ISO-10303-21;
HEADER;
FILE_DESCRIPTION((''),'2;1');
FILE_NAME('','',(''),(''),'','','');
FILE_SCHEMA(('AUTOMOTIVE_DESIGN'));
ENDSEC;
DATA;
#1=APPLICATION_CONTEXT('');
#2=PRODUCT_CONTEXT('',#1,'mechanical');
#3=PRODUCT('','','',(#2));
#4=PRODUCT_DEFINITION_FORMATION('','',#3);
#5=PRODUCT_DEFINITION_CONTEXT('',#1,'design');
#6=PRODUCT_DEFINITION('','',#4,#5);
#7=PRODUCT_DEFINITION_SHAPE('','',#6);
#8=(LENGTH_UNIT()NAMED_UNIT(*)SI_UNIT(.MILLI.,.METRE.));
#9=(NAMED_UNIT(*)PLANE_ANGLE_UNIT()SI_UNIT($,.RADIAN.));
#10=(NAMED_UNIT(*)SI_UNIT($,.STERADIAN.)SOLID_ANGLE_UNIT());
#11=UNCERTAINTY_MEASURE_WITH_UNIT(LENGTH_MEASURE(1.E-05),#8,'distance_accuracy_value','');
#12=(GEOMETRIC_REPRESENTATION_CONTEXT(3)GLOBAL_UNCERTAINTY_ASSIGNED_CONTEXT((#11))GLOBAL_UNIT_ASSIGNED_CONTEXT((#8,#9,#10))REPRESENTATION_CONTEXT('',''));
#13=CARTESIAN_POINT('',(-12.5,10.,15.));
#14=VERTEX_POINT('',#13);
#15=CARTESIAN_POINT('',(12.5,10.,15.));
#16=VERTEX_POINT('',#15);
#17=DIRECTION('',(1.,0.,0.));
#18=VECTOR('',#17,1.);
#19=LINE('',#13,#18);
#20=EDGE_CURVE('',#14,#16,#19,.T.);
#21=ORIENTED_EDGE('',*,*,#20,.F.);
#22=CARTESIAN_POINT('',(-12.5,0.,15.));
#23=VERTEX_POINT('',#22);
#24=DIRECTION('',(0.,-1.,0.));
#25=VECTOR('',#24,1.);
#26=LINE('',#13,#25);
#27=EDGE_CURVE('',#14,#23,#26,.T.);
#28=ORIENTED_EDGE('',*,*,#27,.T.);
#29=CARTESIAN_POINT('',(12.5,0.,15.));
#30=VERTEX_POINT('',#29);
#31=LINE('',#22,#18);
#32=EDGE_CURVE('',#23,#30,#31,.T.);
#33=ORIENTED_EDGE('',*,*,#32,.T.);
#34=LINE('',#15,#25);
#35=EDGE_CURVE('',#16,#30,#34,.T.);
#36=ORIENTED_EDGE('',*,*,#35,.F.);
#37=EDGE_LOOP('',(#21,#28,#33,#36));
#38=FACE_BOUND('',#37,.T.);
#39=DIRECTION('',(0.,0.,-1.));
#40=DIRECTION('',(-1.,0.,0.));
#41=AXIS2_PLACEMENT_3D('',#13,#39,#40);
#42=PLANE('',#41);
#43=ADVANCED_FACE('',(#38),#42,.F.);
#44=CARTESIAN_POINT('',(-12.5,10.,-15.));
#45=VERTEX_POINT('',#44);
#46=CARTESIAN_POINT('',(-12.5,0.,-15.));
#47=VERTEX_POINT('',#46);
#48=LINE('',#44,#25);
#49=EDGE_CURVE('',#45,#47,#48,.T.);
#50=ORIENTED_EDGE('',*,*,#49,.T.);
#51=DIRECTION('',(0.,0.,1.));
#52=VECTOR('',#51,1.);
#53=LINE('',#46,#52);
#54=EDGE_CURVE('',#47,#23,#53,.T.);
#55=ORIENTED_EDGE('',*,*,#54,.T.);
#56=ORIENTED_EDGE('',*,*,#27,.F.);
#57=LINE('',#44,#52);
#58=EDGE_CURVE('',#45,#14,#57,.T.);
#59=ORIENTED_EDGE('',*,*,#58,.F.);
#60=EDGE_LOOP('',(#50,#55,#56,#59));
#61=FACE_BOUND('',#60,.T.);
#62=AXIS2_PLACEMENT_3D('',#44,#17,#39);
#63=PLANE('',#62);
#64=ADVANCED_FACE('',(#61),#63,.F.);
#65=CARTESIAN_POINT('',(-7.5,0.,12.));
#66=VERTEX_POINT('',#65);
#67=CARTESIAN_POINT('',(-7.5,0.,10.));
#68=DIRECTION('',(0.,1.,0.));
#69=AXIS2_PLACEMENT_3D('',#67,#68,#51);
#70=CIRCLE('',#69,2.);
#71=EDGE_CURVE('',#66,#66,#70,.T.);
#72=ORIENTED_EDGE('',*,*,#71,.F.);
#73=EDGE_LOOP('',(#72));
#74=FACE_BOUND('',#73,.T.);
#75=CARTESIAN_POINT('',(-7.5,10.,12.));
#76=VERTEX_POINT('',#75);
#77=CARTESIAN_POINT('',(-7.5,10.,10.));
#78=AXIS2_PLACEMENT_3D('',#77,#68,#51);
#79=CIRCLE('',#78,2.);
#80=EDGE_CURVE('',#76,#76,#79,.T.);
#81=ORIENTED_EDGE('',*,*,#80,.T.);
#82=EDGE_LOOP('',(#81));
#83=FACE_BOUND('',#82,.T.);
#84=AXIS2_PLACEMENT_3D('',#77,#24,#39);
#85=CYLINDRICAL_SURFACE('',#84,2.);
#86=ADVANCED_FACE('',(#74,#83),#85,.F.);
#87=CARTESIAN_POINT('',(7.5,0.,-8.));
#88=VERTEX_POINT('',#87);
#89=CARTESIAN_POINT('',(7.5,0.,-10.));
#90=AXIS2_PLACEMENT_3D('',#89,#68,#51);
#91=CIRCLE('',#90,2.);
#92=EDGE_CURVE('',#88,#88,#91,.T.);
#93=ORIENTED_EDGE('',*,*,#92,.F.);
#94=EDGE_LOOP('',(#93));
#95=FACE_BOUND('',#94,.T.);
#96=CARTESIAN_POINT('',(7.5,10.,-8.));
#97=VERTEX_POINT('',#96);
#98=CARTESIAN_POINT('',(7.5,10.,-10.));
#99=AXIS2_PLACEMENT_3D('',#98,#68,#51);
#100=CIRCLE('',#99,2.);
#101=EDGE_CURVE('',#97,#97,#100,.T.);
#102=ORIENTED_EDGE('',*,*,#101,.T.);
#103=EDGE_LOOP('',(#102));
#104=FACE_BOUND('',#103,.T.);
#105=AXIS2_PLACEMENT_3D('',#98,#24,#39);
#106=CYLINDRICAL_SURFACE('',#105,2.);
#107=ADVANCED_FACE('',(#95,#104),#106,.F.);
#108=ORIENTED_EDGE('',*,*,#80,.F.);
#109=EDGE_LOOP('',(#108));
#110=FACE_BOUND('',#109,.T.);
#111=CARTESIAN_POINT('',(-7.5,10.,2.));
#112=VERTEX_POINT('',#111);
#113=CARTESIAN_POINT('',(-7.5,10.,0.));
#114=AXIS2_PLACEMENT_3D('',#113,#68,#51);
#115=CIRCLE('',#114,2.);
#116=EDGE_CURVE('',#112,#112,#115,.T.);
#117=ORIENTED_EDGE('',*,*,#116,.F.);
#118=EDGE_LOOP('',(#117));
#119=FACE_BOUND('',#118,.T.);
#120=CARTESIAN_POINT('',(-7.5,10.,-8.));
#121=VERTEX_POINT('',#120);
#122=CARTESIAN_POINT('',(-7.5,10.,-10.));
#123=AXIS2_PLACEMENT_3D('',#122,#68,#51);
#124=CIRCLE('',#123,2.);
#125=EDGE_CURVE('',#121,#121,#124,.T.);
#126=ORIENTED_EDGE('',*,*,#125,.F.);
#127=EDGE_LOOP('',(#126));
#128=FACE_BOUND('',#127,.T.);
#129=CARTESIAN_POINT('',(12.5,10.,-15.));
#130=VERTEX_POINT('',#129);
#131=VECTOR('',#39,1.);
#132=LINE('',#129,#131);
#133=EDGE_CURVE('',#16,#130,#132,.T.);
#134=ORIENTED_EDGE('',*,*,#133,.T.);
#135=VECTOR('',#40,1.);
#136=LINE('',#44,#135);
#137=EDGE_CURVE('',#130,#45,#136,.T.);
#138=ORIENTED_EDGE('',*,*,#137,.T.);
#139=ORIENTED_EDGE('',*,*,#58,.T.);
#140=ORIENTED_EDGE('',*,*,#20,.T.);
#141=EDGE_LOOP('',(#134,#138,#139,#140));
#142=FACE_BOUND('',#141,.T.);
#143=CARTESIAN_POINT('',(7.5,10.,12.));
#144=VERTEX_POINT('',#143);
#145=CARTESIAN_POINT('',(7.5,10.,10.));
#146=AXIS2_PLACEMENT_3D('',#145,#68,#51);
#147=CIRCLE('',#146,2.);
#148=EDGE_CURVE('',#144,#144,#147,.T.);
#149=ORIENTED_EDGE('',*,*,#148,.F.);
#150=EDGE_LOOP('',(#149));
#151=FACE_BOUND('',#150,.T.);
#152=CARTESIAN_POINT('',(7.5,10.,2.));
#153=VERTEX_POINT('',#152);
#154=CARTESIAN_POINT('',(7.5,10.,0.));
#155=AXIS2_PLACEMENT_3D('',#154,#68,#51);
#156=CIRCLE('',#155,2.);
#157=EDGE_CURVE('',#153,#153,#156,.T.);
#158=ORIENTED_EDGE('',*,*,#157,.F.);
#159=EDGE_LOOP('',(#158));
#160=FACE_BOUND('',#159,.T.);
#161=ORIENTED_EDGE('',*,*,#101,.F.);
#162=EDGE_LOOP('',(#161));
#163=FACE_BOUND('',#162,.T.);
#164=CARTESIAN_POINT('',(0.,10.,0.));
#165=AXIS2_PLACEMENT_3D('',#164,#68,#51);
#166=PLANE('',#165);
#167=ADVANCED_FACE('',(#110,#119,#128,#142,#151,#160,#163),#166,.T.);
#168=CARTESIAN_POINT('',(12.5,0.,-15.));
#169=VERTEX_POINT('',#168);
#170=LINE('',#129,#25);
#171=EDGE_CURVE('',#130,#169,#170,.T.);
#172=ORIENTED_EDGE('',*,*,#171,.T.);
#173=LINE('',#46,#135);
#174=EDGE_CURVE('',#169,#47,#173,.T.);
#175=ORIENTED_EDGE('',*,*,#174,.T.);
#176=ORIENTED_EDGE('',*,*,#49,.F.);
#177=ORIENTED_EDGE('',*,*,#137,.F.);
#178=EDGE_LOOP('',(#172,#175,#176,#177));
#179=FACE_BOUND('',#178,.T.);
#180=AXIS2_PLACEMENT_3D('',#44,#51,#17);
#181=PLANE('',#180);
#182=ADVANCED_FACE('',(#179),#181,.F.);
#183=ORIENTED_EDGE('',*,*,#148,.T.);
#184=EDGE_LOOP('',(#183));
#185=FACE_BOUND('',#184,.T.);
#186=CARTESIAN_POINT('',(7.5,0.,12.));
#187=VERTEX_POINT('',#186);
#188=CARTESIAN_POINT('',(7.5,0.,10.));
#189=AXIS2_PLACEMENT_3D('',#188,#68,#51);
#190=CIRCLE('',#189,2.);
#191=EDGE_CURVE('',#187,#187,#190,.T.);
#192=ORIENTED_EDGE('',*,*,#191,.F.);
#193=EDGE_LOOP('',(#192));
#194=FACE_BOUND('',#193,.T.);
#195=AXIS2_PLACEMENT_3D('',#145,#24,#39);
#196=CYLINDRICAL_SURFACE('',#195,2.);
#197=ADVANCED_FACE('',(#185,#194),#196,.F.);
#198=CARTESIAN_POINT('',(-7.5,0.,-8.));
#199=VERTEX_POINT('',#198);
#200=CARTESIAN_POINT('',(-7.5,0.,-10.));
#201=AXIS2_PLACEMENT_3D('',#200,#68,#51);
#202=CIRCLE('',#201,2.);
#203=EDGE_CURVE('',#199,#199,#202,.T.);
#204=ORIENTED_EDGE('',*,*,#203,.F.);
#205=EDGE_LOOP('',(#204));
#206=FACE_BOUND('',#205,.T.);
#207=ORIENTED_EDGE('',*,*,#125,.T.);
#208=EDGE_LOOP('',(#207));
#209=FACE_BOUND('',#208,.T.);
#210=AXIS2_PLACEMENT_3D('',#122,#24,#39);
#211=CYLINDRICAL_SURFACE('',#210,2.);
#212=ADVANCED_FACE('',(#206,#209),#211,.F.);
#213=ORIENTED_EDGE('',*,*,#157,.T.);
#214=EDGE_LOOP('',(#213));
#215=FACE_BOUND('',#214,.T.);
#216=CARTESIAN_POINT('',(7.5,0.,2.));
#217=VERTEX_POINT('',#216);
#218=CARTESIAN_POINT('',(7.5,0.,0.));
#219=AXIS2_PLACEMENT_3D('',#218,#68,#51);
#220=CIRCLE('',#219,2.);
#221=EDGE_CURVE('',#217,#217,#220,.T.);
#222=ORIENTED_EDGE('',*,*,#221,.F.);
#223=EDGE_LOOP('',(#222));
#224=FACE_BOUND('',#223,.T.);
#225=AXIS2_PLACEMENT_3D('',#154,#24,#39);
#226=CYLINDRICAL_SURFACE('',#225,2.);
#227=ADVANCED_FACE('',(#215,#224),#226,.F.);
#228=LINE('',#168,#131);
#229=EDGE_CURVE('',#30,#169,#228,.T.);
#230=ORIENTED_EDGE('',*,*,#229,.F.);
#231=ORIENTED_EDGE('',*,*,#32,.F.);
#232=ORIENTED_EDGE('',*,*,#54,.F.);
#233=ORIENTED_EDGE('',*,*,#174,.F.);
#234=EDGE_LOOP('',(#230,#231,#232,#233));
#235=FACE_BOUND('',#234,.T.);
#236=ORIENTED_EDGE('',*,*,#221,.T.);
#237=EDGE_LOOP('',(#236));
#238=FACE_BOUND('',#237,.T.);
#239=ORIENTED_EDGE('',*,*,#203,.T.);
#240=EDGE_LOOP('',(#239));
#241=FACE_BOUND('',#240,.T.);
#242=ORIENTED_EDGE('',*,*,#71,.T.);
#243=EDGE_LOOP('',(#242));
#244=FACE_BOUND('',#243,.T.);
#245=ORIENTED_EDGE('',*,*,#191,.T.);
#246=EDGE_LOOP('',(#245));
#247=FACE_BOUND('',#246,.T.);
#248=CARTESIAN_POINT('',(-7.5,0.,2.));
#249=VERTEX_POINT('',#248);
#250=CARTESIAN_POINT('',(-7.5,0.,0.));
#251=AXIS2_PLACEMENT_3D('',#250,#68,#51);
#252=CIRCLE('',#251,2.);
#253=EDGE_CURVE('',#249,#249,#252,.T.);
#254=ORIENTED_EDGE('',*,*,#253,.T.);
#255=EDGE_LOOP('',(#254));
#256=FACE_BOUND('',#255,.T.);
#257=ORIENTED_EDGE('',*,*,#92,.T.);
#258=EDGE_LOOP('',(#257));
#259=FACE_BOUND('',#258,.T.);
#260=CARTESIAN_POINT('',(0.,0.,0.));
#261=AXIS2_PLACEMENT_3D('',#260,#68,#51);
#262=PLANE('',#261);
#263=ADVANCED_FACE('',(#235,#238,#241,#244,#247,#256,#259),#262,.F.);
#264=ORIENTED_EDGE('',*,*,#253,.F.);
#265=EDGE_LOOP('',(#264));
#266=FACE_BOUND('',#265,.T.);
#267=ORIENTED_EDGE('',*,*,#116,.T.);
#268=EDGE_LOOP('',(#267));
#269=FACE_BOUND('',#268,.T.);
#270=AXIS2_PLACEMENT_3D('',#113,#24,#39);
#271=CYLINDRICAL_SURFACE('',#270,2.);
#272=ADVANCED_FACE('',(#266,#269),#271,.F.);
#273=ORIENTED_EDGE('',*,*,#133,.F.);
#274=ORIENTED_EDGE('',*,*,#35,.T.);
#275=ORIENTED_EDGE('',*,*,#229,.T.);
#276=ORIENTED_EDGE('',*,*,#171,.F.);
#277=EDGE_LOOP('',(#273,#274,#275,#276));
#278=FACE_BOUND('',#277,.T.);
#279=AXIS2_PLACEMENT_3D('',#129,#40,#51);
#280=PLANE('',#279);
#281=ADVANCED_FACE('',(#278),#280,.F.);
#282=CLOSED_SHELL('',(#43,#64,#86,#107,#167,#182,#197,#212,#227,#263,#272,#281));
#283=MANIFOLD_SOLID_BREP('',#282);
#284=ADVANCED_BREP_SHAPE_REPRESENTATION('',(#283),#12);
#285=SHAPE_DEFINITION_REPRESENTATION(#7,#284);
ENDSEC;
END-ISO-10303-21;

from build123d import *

# Parameters (mm, degrees)
SKETCH1_W           = 25
SKETCH1_H           = 30
SKETCH1_R           = 2
BOSS_EXTRUDE1_DEPTH = 10


with BuildPart() as part:
    # Sketch1 → Boss-Extrude1 (new body)
    with BuildSketch(Plane(origin=(0, 0, 0), x_dir=(1, 0, 0), z_dir=(0, 1, 0))):
        Rectangle(SKETCH1_W, SKETCH1_H)
        with Locations(Location((7.5, 0, 0), (0, 0, 270))):
            Circle(SKETCH1_R, mode=Mode.SUBTRACT)
        with Locations(Location((7.5, -10, 0), (0, 0, 270))):
            Circle(SKETCH1_R, mode=Mode.SUBTRACT)
        with Locations(Location((-7.5, -10, 0), (0, 0, 270))):
            Circle(SKETCH1_R, mode=Mode.SUBTRACT)
        with Locations(Location((-7.5, 0, 0), (0, 0, 270))):
            Circle(SKETCH1_R, mode=Mode.SUBTRACT)
        with Locations(Location((-7.5, 10, 0), (0, 0, 270))):
            Circle(SKETCH1_R, mode=Mode.SUBTRACT)
        with Locations(Location((7.5, 10, 0), (0, 0, 270))):
            Circle(SKETCH1_R, mode=Mode.SUBTRACT)
    extrude(amount=BOSS_EXTRUDE1_DEPTH)


solid = part.part
